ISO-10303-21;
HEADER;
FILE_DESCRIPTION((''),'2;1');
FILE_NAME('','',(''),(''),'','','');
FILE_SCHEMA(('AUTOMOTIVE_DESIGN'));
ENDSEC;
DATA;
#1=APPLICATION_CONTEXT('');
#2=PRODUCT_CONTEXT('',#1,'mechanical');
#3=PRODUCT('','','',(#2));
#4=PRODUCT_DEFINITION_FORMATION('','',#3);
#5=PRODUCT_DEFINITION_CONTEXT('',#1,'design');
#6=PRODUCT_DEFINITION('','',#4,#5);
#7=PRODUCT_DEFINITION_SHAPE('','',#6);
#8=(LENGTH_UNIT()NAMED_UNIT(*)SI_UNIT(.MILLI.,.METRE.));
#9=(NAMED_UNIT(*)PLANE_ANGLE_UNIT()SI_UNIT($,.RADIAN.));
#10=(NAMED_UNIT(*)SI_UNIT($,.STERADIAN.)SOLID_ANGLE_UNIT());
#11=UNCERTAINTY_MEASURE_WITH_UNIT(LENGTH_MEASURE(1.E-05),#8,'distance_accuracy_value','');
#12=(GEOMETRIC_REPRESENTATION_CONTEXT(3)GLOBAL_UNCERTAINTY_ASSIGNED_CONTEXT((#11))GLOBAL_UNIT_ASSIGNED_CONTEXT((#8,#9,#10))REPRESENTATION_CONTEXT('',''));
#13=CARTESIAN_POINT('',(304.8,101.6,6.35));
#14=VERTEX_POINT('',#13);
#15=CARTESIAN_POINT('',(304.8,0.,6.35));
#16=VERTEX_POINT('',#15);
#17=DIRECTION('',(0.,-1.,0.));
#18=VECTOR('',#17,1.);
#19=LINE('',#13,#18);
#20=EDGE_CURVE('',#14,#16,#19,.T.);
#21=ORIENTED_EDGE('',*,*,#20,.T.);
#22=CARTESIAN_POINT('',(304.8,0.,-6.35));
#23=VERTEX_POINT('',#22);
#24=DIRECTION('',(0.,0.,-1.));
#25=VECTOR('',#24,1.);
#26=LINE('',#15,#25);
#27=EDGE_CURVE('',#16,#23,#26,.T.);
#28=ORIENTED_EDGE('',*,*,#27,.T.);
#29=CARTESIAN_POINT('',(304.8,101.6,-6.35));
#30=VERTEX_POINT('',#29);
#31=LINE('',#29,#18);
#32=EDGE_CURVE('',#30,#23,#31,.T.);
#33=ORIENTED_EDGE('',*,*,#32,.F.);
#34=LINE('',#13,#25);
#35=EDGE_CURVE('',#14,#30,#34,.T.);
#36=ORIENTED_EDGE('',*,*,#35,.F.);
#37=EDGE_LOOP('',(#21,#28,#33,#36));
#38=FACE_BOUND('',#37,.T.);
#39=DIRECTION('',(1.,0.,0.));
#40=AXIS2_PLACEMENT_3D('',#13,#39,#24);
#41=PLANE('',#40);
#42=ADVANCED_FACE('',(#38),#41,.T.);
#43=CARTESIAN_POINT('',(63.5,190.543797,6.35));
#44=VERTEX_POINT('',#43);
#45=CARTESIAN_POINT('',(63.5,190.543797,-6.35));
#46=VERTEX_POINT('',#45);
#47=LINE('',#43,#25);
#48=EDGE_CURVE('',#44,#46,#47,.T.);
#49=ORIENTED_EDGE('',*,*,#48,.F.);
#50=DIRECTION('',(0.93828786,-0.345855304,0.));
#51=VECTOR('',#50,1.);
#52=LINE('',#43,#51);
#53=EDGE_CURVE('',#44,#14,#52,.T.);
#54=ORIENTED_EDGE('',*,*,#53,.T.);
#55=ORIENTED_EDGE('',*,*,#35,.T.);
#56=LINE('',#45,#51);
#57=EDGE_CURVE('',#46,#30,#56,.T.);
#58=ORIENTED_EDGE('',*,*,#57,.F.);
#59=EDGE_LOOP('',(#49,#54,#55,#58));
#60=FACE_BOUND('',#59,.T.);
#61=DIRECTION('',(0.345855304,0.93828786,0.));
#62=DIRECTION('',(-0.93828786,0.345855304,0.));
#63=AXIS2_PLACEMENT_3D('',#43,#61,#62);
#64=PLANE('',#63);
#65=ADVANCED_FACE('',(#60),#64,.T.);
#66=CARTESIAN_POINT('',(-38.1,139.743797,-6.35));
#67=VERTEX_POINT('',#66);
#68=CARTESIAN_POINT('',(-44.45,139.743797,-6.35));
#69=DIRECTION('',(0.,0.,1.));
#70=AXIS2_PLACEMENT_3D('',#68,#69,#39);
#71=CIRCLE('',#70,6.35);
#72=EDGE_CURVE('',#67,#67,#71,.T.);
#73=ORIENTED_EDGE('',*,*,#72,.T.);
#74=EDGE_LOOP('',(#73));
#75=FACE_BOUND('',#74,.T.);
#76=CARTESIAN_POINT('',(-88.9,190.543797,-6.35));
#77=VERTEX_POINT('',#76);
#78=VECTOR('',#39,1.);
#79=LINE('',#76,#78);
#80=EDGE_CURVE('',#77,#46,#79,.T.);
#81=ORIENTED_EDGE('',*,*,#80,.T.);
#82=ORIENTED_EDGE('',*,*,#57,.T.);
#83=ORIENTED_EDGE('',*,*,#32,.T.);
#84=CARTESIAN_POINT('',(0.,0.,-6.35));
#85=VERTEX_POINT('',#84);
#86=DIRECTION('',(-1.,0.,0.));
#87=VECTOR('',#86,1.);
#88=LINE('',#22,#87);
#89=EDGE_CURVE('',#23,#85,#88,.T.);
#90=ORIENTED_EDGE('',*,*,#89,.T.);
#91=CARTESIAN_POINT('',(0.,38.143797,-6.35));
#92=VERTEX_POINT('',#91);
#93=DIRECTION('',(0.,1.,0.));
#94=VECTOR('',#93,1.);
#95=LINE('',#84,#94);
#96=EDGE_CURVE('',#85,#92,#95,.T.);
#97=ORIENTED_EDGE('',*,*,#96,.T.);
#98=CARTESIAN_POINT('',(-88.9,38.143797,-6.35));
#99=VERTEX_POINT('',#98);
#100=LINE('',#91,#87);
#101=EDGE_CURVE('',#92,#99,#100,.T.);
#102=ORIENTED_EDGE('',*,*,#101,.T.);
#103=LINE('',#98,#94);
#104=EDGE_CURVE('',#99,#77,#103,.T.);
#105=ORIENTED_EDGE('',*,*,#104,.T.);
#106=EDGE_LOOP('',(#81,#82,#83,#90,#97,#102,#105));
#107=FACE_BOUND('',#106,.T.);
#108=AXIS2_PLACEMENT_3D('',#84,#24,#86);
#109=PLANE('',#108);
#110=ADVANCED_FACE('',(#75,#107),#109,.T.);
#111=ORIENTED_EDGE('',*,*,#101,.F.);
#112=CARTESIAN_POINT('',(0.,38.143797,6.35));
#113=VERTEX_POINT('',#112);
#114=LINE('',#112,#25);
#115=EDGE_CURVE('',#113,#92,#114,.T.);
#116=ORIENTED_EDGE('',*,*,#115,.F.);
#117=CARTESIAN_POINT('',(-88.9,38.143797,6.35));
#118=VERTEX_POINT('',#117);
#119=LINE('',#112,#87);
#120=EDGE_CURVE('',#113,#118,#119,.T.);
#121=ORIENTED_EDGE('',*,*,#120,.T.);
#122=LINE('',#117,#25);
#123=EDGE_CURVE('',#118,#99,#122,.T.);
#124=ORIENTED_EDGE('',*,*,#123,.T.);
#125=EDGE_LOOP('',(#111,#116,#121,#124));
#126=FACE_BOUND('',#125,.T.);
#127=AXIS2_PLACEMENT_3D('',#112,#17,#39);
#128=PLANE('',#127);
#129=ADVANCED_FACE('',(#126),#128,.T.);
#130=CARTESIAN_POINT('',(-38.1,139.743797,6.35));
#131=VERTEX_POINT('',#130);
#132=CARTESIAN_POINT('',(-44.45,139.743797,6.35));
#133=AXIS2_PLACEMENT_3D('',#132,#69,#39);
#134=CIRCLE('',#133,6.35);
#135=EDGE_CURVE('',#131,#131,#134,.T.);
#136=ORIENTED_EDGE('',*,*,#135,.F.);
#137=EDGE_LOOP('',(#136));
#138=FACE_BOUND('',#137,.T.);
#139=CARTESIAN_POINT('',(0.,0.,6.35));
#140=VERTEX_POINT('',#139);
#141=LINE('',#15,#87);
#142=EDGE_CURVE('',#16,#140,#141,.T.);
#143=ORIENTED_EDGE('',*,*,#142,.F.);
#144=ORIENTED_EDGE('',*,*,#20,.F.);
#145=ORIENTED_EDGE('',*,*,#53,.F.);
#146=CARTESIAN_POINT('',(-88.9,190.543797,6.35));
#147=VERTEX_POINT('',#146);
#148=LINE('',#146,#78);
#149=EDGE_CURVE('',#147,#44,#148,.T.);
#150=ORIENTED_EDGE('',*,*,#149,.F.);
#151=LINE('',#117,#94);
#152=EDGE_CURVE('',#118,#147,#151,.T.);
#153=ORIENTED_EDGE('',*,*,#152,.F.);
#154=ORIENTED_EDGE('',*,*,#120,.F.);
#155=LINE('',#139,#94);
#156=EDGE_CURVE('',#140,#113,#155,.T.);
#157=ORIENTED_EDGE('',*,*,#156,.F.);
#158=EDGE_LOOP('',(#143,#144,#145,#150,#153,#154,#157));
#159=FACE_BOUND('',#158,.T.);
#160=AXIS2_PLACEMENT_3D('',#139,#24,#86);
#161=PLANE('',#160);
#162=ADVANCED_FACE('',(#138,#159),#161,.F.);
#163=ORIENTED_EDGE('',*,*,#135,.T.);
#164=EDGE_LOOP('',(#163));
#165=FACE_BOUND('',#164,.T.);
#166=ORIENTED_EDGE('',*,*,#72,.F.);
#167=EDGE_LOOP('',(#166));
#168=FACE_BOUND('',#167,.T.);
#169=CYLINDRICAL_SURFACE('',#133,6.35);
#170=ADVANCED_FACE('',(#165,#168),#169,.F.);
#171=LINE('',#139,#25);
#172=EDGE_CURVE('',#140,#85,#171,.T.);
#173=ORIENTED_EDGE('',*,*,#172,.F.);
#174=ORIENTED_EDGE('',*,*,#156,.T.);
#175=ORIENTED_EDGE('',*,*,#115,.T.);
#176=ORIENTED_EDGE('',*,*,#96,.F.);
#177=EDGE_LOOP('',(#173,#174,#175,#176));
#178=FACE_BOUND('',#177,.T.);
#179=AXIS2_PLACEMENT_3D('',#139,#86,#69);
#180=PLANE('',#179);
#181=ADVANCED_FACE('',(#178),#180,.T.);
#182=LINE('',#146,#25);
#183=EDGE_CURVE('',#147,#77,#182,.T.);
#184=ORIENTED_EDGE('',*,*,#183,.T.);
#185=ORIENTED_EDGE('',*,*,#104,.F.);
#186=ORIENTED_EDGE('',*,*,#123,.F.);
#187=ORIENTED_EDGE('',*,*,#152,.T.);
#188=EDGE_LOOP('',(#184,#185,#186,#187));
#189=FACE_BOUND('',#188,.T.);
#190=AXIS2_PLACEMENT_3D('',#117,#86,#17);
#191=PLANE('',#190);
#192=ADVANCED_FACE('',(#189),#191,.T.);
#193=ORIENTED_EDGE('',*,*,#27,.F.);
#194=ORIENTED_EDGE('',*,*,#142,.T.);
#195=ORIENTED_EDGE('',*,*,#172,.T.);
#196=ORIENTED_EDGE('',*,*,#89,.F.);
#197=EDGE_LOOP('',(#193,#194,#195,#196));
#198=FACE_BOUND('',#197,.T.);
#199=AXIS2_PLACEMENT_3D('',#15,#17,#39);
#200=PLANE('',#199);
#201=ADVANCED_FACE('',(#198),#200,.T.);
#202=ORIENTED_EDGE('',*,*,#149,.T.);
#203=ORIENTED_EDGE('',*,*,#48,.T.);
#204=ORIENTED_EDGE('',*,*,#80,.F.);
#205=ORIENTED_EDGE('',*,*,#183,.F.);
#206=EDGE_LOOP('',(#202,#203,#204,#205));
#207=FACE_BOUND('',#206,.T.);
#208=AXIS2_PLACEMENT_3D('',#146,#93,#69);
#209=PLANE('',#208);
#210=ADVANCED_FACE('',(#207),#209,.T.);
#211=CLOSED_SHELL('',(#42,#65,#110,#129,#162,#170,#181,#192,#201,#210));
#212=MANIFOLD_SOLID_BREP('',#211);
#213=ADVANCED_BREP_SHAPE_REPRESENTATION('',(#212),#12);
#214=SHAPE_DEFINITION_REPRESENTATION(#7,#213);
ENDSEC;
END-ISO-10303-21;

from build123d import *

# Parameters (mm, degrees)
BOSS_EXTRUDE1_DEPTH        = 6.35
F_1_2_0_5_DIAMETER_HOLE1_D = 12.7


with BuildPart() as part:
    # Sketch1 → Boss-Extrude1 (new, symmetric)
    with BuildSketch(Plane.XY):
        Polygon((0, 38.14379681), (-88.9, 38.14379681), (-88.9, 190.54379681), (63.5, 190.54379681), (304.8, 101.6), (304.8, 0), (0, 0), align=None)
    extrude(amount=BOSS_EXTRUDE1_DEPTH, both=True)

    # 1/2 (0.5) Diameter Hole1 (through all)
    with Locations(Plane(origin=(-44.45, 139.74379681, 6.35), x_dir=(1, 0, 0), z_dir=(0, 0, 1))):
        with Locations((0, 0)):
            Hole(F_1_2_0_5_DIAMETER_HOLE1_D / 2)


solid = part.part
